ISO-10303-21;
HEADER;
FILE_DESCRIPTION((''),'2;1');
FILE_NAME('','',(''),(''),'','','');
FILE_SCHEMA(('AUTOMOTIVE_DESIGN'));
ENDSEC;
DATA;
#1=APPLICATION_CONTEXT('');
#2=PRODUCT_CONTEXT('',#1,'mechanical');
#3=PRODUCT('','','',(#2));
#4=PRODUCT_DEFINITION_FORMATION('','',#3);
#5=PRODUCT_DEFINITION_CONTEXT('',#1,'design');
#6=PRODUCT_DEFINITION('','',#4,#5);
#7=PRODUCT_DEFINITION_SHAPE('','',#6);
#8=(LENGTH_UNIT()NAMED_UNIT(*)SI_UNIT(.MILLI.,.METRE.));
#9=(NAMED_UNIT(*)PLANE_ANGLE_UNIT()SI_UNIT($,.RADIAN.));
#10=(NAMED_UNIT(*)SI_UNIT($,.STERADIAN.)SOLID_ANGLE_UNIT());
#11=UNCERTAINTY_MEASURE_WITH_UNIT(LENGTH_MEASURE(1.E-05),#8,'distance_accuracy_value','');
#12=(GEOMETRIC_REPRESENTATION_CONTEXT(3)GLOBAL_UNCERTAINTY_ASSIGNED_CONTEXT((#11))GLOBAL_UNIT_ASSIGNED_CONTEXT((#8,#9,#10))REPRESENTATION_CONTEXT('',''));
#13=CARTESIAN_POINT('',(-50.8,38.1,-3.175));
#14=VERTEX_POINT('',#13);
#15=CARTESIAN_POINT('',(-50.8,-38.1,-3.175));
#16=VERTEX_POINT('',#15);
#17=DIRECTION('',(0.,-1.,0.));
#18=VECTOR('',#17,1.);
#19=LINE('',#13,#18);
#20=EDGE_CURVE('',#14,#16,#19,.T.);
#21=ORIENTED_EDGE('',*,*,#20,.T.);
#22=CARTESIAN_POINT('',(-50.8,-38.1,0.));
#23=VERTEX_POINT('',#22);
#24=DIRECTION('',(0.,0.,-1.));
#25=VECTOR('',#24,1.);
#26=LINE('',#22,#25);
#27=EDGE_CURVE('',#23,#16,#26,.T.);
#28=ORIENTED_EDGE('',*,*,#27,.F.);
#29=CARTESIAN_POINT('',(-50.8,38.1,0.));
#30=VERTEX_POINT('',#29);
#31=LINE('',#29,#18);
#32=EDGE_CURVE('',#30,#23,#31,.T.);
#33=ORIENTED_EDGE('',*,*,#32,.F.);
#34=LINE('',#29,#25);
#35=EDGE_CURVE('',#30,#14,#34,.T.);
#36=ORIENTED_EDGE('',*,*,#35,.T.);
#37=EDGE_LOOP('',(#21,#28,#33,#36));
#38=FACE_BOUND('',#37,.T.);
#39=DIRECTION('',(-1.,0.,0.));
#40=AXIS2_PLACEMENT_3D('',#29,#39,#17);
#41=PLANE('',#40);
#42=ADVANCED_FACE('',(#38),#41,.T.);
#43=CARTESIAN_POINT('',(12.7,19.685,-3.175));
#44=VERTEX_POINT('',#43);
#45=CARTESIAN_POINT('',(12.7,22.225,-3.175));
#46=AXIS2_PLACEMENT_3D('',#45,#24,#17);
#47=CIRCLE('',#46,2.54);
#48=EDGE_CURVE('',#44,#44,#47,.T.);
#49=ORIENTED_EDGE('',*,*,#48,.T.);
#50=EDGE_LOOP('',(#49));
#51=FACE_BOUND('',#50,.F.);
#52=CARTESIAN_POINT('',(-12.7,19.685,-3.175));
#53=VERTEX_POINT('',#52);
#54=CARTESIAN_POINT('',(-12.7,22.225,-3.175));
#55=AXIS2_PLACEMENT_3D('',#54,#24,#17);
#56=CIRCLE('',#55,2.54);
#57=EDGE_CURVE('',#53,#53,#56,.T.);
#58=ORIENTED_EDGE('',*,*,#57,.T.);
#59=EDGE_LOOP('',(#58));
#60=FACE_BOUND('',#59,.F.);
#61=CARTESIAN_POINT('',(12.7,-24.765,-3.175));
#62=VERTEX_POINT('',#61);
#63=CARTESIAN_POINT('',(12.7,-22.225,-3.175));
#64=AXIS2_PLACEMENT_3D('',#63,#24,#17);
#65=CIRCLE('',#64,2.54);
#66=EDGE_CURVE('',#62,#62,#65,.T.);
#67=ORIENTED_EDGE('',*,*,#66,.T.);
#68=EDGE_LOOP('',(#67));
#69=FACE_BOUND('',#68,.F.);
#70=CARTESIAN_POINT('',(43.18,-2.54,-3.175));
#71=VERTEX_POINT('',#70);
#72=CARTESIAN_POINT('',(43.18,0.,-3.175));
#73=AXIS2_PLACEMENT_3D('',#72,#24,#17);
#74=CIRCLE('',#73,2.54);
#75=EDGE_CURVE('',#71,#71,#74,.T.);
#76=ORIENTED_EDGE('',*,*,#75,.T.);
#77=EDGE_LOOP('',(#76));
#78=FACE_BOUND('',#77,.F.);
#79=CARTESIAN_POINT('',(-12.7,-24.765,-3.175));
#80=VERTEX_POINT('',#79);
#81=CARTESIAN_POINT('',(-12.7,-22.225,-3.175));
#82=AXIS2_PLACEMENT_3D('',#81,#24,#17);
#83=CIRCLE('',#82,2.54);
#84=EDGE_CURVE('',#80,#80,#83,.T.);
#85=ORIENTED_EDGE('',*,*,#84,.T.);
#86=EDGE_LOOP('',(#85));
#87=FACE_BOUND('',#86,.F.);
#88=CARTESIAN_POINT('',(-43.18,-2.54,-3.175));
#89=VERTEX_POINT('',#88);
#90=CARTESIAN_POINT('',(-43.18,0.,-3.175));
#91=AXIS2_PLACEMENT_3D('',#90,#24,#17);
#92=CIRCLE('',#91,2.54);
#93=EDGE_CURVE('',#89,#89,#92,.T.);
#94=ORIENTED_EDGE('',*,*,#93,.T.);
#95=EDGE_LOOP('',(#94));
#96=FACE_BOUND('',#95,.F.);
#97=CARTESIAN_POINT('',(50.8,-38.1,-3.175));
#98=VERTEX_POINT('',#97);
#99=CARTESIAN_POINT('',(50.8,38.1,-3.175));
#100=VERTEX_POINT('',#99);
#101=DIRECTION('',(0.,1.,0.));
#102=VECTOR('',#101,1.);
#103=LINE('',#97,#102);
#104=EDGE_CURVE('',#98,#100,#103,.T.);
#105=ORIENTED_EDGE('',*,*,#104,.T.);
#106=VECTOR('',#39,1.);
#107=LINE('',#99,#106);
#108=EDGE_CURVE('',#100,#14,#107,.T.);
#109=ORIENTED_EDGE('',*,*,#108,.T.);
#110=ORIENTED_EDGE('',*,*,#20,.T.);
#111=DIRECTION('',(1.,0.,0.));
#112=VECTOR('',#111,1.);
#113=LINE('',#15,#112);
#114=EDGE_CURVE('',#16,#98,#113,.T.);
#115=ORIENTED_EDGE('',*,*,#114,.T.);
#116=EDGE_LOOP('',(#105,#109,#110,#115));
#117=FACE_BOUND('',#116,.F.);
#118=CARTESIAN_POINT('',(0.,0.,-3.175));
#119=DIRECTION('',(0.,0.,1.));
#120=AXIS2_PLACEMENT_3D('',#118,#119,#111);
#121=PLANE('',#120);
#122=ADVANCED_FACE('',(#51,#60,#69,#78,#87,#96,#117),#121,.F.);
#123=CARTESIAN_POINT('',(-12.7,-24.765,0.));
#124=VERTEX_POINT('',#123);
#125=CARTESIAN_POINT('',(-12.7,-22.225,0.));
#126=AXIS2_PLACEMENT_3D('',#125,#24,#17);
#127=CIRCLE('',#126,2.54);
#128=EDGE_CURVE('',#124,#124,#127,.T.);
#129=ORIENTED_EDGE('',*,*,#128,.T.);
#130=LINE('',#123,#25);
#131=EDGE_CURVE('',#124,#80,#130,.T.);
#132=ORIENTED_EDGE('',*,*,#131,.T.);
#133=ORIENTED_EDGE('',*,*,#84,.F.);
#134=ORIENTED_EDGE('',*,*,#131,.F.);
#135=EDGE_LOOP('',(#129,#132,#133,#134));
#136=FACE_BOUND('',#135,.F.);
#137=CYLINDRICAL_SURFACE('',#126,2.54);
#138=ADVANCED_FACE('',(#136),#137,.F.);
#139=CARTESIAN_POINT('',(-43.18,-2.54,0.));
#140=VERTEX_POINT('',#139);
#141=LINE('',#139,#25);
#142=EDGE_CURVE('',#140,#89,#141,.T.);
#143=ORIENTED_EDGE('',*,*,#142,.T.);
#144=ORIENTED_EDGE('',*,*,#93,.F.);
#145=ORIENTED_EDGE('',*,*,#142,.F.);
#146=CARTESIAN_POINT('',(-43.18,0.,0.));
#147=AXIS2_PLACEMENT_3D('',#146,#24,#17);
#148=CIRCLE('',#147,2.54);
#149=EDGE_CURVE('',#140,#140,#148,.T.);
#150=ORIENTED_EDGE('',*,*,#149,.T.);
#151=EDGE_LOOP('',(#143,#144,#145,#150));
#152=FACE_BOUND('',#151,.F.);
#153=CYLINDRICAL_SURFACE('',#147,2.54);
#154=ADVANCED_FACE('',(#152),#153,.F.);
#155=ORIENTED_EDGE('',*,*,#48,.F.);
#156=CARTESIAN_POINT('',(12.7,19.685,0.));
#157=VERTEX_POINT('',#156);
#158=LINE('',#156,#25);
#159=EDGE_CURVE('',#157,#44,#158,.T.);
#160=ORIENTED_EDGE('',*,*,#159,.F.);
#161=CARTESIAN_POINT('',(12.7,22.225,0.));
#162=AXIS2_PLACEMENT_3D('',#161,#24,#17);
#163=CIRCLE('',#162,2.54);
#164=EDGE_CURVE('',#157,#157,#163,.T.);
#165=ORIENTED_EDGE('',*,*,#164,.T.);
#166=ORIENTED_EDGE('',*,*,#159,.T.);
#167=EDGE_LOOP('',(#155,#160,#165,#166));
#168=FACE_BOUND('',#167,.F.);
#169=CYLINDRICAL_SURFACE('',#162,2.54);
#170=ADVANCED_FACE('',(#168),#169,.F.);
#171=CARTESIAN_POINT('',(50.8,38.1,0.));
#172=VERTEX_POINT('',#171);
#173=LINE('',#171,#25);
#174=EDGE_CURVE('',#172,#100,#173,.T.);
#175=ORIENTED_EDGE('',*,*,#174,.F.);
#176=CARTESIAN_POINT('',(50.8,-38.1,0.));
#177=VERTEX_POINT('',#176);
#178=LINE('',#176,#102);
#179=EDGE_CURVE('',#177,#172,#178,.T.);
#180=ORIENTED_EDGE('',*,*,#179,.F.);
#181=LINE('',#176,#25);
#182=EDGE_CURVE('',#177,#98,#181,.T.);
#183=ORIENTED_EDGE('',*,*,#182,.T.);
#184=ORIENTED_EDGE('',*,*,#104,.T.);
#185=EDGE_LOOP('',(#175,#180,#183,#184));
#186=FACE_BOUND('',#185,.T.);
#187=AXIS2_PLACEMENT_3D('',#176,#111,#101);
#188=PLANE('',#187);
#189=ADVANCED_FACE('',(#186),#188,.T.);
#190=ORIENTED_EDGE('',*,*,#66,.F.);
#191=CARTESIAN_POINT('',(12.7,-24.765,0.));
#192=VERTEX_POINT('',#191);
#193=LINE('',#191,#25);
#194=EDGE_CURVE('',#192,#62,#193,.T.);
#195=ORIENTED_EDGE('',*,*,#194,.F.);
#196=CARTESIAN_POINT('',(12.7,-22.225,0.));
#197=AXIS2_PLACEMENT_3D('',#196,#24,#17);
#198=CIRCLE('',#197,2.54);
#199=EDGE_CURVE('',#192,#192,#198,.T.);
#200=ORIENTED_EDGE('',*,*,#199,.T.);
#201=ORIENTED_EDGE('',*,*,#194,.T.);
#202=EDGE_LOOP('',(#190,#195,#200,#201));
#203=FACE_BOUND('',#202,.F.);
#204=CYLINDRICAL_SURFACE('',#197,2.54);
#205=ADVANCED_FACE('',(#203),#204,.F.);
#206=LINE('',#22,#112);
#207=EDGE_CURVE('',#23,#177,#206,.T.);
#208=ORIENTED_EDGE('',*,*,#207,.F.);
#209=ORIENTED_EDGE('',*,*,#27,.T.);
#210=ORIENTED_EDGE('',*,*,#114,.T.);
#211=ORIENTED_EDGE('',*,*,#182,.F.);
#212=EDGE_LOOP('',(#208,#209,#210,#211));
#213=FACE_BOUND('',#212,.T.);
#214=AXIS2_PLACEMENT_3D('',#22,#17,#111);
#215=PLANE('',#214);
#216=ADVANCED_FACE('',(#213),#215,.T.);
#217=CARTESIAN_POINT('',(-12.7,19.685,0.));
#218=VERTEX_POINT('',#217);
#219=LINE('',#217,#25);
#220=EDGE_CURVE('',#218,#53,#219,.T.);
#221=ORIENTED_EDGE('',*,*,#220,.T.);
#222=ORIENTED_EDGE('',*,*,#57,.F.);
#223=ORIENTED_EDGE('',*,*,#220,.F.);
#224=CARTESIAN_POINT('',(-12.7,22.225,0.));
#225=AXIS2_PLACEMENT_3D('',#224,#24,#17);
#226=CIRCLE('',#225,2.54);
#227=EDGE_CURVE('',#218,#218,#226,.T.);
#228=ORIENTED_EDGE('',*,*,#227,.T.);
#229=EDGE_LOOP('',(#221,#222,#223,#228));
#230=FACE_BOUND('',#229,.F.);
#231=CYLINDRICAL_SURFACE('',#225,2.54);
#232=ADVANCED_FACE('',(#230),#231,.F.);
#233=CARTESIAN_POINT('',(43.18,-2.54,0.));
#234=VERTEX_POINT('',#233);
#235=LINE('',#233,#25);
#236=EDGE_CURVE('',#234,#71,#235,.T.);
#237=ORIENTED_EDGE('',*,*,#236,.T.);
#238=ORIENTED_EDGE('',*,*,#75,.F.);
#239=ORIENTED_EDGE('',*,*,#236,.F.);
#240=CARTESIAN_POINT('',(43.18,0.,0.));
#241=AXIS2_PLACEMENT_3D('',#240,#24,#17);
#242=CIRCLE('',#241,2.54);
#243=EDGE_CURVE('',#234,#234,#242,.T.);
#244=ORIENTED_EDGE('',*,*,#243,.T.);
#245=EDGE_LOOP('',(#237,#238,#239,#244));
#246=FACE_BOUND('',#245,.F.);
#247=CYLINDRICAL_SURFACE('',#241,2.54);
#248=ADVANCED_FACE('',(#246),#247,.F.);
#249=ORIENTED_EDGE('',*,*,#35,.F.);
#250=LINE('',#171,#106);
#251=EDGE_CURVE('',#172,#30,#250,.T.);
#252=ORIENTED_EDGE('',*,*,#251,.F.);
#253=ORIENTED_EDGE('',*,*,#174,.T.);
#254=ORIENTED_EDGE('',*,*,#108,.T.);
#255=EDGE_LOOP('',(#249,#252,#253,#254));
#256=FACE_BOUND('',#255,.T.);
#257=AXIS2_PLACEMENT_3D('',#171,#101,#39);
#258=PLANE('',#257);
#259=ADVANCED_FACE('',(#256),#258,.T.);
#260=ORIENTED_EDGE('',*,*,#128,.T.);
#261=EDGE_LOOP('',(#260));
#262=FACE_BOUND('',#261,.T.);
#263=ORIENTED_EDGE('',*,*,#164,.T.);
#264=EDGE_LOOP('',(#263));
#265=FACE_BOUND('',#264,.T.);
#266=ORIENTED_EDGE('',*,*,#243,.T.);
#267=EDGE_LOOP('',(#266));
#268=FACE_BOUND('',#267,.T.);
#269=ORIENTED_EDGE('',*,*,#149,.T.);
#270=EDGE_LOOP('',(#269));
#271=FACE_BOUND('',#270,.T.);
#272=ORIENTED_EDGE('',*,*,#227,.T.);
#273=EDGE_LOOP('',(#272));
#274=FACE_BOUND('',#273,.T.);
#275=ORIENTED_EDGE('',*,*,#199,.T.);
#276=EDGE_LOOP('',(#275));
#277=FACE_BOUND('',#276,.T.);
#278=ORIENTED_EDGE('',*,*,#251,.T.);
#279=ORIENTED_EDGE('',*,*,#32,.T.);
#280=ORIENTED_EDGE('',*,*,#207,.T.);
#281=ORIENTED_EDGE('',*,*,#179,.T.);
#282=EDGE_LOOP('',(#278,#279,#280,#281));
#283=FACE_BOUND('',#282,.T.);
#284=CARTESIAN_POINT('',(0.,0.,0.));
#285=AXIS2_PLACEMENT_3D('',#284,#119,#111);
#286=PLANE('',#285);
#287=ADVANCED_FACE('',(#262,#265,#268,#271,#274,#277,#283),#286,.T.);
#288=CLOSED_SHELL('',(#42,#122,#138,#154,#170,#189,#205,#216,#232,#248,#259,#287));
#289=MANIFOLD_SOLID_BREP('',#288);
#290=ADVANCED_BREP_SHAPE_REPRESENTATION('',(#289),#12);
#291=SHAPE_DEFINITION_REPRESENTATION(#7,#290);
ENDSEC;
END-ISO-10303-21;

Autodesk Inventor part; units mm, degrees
ref_plane "YZ Plane" through (0, 0, 0) normal (1, 0, 0) x (0, 1, 0)
ref_plane "XZ Plane" through (0, 0, 0) normal (0, 1, 0) x (-1, 0, 0)
ref_plane "XY Plane" through (0, 0, 0) normal (0, 0, 1) x (1, 0, 0)
sketch "Sketch1" plane through (0, 0, 0) normal (0, 0, 1) x (1, 0, 0)
  line L0 (-50.8, -38.1) -> (50.8, -38.1)
  line L1 (50.8, -38.1) -> (50.8, 38.1)
  line L2 (50.8, 38.1) -> (-50.8, 38.1)
  line L3 (-50.8, 38.1) -> (-50.8, -38.1)
  line L4 (-50.8, -38.1) -> (50.8, 38.1) construction
  line L5 (50.8, -38.1) -> (-50.8, 38.1) construction
  point P0 (0, 0)
  dimension "d0" = 101.6
  dimension "d1" = 76.2
extrude "Extrusion1" add sketch "Sketch1" against normal blind 3.175
sketch "Sketch2" plane through (0, 0, 0) normal (0, 0, 1) x (1, 0, 0)
  circle A0 centre (43.18, 0) radius 2.54
  line L0 (50.8, -38.1) -> (50.8, 38.1) projected
  line L1 (0, 38.1) -> (0, -38.1) construction
  circle A1 centre (-43.18, 0) radius 2.54
  point P0 (0, 0)
  dimension "d4" = 5.08
  dimension "d5" = 7.62
hole "Hole1" at (-43.18, 0, 0) at (43.18, 0, 0) direction (0, 0, -1) diameter 5.08 end through all
sketch "Sketch3" plane through (0, 0, 0) normal (0, 0, 1) x (1, 0, 0)
  line L0 (0, 29.2764) -> (0, -24.7835) construction
  line L1 (50.8, 38.1) -> (-50.8, 38.1) construction
  line L2 (-18.9862, 0) -> (21.3051, 0) construction
  point P0 (0, 0)
  point P1 (-12.7, 22.225)
  point P2 (0, 38.1)
  point P3 (12.7, 22.225)
  point P4 (-12.7, -22.225)
  point P5 (12.7, -22.225)
  dimension "d13" = 22.225
  dimension "d14" = 12.7
hole "Hole2" at (-12.7, 22.225, 0) at (12.7, 22.225, 0) at (-12.7, -22.225, 0) at (12.7, -22.225, 0) direction (0, 0, -1) diameter 5.08 end through all
properties part number "VEX Motor Mount" material "Aluminum 6061"
